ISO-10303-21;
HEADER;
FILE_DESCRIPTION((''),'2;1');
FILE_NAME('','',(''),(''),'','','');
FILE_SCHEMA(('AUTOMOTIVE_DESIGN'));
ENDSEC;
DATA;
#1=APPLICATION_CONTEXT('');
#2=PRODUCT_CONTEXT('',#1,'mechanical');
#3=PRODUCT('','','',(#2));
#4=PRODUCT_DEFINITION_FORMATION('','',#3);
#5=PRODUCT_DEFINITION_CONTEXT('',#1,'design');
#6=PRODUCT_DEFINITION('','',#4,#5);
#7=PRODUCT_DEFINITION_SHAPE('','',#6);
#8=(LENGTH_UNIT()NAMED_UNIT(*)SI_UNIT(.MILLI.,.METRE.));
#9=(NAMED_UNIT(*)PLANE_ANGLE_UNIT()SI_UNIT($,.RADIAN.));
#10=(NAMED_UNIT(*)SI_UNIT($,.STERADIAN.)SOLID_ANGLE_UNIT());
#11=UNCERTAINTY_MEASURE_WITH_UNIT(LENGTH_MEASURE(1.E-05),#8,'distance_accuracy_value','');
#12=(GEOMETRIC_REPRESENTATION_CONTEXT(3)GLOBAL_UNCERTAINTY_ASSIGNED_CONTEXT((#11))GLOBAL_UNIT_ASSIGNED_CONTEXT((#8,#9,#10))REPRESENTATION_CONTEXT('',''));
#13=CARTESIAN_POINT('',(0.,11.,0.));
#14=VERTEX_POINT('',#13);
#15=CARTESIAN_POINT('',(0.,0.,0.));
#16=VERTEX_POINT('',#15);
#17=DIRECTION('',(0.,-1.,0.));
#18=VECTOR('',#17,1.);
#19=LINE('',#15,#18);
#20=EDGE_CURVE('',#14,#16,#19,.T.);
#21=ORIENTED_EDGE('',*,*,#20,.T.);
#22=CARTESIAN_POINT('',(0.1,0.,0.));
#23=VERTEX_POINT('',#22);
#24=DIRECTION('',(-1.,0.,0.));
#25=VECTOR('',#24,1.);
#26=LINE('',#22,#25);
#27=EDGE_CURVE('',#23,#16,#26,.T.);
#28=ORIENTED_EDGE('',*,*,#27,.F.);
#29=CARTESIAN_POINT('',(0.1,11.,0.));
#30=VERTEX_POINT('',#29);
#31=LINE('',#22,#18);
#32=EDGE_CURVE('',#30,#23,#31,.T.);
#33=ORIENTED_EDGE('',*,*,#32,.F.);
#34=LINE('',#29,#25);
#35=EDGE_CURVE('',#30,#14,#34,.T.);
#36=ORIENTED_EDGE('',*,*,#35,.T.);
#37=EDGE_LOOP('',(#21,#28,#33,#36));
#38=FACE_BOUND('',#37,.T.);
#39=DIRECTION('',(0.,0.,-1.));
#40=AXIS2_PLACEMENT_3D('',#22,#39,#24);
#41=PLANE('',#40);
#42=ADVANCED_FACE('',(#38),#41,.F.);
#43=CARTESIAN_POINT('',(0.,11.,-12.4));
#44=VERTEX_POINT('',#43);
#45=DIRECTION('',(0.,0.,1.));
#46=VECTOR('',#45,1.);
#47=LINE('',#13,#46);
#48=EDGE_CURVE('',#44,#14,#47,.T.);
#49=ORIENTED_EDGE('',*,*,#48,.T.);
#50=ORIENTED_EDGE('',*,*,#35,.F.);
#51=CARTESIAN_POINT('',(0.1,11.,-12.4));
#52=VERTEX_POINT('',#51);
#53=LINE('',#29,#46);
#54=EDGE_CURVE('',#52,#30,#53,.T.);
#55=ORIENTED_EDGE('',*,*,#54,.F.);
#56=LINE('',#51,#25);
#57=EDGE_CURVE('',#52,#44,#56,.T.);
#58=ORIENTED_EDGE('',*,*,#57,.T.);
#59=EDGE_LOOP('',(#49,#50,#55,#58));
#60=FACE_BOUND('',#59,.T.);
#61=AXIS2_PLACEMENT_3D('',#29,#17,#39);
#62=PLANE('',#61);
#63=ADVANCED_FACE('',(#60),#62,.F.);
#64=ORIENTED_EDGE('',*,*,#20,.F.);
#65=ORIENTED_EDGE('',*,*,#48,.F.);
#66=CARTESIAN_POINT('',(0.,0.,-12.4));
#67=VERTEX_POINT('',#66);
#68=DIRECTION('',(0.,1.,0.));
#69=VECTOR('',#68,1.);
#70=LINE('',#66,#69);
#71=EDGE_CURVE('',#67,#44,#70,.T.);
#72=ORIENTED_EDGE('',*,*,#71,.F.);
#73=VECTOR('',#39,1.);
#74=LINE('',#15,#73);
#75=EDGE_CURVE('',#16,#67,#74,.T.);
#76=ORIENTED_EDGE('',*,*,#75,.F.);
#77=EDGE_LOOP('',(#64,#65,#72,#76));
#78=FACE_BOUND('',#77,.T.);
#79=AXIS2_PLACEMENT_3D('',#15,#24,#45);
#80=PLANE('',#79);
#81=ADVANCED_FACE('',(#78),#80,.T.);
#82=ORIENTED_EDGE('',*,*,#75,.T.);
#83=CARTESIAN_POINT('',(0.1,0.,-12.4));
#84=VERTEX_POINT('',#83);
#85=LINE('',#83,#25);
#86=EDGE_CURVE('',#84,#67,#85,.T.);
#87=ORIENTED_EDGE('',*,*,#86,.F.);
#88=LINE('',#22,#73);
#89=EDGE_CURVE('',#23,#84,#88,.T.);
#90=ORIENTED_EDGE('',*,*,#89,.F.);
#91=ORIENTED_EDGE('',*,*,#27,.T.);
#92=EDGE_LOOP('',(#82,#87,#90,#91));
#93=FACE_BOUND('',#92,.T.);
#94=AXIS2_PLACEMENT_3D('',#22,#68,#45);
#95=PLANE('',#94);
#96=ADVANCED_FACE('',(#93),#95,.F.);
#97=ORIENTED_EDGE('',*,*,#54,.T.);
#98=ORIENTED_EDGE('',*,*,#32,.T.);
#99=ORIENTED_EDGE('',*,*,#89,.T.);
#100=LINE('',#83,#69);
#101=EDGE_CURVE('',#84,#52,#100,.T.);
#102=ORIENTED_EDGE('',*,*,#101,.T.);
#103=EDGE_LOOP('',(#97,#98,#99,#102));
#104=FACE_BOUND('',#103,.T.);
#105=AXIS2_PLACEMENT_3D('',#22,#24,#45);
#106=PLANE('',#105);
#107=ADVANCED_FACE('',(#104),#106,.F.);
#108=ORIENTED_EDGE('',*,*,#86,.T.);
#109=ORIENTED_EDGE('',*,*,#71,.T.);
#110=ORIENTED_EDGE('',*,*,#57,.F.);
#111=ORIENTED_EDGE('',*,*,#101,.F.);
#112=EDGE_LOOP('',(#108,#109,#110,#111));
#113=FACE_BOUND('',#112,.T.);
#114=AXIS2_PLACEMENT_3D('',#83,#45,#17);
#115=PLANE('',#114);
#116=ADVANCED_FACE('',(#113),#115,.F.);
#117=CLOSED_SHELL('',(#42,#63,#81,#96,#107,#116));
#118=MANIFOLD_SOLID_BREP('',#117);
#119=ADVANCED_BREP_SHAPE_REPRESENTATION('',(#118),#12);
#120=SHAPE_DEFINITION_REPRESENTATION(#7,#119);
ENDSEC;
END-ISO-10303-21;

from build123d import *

# Parameters (mm, degrees)
CROQUIS1_W              = 12.4
CROQUIS1_H              = 11
SALIENTE_EXTRUIR1_DEPTH = 0.1


with BuildPart() as part:
    # Croquis1 → Saliente-Extruir1 (new body)
    with BuildSketch(Plane(origin=(0, 0, 0), x_dir=(0, 0, -1), z_dir=(1, 0, 0))):
        with Locations((6.2, 5.5)):
            Rectangle(CROQUIS1_W, CROQUIS1_H)
    extrude(amount=SALIENTE_EXTRUIR1_DEPTH)


solid = part.part
